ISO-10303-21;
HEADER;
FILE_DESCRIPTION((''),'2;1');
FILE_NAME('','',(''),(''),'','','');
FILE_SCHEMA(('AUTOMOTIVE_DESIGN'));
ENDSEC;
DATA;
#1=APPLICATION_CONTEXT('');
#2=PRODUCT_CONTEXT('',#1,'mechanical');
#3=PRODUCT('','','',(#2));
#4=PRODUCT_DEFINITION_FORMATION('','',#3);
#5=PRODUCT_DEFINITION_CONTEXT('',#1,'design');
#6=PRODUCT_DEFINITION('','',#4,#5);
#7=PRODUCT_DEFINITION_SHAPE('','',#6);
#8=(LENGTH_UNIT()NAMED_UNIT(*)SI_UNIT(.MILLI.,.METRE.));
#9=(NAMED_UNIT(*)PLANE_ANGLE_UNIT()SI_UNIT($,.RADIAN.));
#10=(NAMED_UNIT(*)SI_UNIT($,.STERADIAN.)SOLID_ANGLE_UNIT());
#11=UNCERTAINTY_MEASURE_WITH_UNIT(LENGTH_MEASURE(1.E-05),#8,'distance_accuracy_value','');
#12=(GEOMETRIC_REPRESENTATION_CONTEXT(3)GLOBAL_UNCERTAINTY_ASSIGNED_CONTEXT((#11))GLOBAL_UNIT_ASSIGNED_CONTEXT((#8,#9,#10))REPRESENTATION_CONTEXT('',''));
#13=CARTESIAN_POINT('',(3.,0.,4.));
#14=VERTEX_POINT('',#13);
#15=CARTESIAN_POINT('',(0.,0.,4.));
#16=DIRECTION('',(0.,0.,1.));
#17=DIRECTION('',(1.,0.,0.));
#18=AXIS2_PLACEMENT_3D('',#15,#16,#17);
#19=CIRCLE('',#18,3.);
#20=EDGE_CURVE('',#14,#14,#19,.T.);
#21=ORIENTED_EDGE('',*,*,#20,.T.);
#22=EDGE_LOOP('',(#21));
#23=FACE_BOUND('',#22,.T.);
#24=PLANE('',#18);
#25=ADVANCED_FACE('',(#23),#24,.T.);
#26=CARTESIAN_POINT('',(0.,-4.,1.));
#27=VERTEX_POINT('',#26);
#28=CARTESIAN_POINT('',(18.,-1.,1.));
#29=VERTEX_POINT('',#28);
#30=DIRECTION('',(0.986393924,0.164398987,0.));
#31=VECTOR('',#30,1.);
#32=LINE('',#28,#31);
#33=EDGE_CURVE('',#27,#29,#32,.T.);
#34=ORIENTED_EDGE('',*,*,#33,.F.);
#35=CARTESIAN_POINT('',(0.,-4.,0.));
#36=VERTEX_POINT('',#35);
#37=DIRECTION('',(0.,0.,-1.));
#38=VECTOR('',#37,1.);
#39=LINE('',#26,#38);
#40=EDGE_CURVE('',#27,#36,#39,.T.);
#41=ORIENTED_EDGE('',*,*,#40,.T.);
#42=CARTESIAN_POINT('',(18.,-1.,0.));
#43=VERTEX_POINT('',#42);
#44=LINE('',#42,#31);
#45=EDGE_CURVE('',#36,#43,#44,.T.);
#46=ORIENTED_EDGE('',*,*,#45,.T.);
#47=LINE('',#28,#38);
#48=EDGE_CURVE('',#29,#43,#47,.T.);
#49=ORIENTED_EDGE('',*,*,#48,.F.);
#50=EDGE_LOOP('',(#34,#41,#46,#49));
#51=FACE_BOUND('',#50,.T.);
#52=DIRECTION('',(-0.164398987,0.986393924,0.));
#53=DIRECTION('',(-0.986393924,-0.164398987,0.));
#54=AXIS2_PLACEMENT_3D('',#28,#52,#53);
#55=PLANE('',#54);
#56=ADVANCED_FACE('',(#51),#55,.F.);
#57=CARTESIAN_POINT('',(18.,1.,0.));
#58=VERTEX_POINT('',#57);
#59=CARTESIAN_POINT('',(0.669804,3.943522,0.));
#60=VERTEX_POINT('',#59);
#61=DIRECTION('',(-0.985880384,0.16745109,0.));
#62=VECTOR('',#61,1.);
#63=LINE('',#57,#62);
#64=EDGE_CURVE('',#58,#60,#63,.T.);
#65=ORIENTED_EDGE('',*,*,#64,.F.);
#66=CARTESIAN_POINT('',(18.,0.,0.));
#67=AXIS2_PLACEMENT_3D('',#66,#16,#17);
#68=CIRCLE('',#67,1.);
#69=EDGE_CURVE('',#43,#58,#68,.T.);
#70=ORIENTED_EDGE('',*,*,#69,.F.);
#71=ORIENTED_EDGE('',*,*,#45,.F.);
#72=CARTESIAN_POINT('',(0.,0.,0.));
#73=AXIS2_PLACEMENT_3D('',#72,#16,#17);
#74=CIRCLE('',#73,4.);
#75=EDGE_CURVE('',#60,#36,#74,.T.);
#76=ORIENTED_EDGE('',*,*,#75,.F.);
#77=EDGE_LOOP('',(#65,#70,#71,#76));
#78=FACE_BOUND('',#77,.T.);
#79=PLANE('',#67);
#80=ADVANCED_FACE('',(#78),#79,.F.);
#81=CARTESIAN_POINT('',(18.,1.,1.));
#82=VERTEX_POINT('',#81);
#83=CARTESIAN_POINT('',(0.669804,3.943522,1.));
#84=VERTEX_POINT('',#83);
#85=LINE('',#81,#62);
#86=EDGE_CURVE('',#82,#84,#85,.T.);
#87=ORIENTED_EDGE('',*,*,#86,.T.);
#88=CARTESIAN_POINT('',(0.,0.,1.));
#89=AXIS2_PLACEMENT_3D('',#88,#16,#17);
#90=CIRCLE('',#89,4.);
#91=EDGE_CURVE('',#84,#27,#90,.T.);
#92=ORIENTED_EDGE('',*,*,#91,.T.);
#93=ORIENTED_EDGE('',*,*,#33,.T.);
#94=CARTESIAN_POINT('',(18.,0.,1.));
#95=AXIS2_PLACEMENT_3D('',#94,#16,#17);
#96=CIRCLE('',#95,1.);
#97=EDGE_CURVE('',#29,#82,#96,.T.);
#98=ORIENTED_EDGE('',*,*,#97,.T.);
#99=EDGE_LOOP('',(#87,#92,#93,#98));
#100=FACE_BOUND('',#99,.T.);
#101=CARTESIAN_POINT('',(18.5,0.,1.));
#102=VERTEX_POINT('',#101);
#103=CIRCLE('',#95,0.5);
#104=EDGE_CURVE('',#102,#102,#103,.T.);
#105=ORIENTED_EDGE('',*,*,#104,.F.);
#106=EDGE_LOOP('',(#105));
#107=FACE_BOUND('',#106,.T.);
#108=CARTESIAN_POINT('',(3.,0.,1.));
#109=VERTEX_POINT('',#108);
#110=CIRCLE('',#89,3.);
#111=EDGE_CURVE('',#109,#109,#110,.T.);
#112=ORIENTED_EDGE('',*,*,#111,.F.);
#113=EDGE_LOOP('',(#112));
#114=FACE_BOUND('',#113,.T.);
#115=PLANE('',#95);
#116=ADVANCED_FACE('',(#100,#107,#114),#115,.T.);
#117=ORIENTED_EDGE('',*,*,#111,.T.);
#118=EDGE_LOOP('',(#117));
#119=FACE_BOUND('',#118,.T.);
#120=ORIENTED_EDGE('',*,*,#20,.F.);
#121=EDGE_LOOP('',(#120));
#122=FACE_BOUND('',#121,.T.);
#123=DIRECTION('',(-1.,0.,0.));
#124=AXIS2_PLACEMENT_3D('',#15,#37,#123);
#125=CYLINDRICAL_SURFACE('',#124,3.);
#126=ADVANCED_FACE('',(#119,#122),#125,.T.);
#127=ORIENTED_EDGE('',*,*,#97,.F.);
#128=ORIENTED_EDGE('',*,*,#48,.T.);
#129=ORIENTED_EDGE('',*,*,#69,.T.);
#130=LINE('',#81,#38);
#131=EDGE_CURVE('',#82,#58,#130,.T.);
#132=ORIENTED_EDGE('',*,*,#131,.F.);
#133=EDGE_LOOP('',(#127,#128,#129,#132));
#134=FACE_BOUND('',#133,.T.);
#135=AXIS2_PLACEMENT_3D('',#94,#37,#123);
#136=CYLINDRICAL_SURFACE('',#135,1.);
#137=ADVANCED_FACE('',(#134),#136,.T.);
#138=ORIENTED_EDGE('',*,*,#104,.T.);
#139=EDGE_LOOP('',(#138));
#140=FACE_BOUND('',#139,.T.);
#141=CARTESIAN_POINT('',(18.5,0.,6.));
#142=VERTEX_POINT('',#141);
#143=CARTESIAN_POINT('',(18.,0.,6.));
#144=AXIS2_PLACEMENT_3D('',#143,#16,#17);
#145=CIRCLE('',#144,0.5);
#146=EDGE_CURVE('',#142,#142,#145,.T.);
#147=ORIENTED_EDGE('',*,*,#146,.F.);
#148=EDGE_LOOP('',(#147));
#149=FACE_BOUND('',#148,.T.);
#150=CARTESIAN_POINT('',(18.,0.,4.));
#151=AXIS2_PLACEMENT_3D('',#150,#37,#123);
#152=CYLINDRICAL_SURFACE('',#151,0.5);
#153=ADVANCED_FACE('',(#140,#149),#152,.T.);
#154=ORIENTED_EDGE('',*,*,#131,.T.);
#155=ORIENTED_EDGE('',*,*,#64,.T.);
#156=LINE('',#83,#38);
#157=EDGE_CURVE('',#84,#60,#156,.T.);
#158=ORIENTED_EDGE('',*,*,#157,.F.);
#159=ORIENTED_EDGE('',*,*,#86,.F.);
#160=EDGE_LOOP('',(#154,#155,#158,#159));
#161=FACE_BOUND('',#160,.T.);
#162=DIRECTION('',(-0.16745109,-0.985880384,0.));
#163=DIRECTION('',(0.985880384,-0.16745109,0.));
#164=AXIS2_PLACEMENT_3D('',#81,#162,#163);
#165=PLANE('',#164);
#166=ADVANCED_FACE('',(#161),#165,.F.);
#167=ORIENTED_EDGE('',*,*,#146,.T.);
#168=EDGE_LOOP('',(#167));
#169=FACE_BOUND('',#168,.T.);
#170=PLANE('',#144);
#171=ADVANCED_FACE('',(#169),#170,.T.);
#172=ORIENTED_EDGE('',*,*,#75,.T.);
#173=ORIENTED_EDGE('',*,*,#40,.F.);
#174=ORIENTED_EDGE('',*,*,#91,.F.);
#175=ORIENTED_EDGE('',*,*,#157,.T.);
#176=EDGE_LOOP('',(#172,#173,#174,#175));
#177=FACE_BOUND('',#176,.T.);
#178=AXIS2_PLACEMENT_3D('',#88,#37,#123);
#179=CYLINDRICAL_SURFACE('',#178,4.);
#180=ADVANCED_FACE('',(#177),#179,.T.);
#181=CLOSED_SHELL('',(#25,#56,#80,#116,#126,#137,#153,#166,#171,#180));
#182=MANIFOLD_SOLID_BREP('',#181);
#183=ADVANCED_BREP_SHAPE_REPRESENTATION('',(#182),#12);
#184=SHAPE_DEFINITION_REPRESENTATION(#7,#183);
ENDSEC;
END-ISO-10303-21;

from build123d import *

# Parameters (mm, degrees)
BOSS_EXTRUDE1_DEPTH = 1
SKETCH2_R           = 0.5
SKETCH2_R_2         = 3
BOSS_EXTRUDE2_DEPTH = 3
SKETCH3_R           = 0.5
BOSS_EXTRUDE3_DEPTH = 2


with BuildPart() as part:
    # Sketch1 → Boss-Extrude1 (new body)
    with BuildSketch(Plane.XY):
        with BuildLine():
            Line((18, 1), (0.669804359, 3.943521538))
            ThreePointArc((0.669804359, 3.943521538), (-3.985855376, 0.336090648), (0, -4))
            Line((0, -4), (18, -1))
            ThreePointArc((18, -1), (19, 0), (18, 1))
        make_face()
    extrude(amount=BOSS_EXTRUDE1_DEPTH)

    # Sketch2 → Boss-Extrude2 (add)
    with BuildSketch(Plane.XY.offset(1)):
        with Locations((18, 0)):
            Circle(SKETCH2_R)
        Circle(SKETCH2_R_2)
    extrude(amount=BOSS_EXTRUDE2_DEPTH)

    # Sketch3 → Boss-Extrude3 (add)
    with BuildSketch(Plane.XY.offset(4)):
        with Locations((18, 0)):
            Circle(SKETCH3_R)
    extrude(amount=BOSS_EXTRUDE3_DEPTH)


solid = part.part
